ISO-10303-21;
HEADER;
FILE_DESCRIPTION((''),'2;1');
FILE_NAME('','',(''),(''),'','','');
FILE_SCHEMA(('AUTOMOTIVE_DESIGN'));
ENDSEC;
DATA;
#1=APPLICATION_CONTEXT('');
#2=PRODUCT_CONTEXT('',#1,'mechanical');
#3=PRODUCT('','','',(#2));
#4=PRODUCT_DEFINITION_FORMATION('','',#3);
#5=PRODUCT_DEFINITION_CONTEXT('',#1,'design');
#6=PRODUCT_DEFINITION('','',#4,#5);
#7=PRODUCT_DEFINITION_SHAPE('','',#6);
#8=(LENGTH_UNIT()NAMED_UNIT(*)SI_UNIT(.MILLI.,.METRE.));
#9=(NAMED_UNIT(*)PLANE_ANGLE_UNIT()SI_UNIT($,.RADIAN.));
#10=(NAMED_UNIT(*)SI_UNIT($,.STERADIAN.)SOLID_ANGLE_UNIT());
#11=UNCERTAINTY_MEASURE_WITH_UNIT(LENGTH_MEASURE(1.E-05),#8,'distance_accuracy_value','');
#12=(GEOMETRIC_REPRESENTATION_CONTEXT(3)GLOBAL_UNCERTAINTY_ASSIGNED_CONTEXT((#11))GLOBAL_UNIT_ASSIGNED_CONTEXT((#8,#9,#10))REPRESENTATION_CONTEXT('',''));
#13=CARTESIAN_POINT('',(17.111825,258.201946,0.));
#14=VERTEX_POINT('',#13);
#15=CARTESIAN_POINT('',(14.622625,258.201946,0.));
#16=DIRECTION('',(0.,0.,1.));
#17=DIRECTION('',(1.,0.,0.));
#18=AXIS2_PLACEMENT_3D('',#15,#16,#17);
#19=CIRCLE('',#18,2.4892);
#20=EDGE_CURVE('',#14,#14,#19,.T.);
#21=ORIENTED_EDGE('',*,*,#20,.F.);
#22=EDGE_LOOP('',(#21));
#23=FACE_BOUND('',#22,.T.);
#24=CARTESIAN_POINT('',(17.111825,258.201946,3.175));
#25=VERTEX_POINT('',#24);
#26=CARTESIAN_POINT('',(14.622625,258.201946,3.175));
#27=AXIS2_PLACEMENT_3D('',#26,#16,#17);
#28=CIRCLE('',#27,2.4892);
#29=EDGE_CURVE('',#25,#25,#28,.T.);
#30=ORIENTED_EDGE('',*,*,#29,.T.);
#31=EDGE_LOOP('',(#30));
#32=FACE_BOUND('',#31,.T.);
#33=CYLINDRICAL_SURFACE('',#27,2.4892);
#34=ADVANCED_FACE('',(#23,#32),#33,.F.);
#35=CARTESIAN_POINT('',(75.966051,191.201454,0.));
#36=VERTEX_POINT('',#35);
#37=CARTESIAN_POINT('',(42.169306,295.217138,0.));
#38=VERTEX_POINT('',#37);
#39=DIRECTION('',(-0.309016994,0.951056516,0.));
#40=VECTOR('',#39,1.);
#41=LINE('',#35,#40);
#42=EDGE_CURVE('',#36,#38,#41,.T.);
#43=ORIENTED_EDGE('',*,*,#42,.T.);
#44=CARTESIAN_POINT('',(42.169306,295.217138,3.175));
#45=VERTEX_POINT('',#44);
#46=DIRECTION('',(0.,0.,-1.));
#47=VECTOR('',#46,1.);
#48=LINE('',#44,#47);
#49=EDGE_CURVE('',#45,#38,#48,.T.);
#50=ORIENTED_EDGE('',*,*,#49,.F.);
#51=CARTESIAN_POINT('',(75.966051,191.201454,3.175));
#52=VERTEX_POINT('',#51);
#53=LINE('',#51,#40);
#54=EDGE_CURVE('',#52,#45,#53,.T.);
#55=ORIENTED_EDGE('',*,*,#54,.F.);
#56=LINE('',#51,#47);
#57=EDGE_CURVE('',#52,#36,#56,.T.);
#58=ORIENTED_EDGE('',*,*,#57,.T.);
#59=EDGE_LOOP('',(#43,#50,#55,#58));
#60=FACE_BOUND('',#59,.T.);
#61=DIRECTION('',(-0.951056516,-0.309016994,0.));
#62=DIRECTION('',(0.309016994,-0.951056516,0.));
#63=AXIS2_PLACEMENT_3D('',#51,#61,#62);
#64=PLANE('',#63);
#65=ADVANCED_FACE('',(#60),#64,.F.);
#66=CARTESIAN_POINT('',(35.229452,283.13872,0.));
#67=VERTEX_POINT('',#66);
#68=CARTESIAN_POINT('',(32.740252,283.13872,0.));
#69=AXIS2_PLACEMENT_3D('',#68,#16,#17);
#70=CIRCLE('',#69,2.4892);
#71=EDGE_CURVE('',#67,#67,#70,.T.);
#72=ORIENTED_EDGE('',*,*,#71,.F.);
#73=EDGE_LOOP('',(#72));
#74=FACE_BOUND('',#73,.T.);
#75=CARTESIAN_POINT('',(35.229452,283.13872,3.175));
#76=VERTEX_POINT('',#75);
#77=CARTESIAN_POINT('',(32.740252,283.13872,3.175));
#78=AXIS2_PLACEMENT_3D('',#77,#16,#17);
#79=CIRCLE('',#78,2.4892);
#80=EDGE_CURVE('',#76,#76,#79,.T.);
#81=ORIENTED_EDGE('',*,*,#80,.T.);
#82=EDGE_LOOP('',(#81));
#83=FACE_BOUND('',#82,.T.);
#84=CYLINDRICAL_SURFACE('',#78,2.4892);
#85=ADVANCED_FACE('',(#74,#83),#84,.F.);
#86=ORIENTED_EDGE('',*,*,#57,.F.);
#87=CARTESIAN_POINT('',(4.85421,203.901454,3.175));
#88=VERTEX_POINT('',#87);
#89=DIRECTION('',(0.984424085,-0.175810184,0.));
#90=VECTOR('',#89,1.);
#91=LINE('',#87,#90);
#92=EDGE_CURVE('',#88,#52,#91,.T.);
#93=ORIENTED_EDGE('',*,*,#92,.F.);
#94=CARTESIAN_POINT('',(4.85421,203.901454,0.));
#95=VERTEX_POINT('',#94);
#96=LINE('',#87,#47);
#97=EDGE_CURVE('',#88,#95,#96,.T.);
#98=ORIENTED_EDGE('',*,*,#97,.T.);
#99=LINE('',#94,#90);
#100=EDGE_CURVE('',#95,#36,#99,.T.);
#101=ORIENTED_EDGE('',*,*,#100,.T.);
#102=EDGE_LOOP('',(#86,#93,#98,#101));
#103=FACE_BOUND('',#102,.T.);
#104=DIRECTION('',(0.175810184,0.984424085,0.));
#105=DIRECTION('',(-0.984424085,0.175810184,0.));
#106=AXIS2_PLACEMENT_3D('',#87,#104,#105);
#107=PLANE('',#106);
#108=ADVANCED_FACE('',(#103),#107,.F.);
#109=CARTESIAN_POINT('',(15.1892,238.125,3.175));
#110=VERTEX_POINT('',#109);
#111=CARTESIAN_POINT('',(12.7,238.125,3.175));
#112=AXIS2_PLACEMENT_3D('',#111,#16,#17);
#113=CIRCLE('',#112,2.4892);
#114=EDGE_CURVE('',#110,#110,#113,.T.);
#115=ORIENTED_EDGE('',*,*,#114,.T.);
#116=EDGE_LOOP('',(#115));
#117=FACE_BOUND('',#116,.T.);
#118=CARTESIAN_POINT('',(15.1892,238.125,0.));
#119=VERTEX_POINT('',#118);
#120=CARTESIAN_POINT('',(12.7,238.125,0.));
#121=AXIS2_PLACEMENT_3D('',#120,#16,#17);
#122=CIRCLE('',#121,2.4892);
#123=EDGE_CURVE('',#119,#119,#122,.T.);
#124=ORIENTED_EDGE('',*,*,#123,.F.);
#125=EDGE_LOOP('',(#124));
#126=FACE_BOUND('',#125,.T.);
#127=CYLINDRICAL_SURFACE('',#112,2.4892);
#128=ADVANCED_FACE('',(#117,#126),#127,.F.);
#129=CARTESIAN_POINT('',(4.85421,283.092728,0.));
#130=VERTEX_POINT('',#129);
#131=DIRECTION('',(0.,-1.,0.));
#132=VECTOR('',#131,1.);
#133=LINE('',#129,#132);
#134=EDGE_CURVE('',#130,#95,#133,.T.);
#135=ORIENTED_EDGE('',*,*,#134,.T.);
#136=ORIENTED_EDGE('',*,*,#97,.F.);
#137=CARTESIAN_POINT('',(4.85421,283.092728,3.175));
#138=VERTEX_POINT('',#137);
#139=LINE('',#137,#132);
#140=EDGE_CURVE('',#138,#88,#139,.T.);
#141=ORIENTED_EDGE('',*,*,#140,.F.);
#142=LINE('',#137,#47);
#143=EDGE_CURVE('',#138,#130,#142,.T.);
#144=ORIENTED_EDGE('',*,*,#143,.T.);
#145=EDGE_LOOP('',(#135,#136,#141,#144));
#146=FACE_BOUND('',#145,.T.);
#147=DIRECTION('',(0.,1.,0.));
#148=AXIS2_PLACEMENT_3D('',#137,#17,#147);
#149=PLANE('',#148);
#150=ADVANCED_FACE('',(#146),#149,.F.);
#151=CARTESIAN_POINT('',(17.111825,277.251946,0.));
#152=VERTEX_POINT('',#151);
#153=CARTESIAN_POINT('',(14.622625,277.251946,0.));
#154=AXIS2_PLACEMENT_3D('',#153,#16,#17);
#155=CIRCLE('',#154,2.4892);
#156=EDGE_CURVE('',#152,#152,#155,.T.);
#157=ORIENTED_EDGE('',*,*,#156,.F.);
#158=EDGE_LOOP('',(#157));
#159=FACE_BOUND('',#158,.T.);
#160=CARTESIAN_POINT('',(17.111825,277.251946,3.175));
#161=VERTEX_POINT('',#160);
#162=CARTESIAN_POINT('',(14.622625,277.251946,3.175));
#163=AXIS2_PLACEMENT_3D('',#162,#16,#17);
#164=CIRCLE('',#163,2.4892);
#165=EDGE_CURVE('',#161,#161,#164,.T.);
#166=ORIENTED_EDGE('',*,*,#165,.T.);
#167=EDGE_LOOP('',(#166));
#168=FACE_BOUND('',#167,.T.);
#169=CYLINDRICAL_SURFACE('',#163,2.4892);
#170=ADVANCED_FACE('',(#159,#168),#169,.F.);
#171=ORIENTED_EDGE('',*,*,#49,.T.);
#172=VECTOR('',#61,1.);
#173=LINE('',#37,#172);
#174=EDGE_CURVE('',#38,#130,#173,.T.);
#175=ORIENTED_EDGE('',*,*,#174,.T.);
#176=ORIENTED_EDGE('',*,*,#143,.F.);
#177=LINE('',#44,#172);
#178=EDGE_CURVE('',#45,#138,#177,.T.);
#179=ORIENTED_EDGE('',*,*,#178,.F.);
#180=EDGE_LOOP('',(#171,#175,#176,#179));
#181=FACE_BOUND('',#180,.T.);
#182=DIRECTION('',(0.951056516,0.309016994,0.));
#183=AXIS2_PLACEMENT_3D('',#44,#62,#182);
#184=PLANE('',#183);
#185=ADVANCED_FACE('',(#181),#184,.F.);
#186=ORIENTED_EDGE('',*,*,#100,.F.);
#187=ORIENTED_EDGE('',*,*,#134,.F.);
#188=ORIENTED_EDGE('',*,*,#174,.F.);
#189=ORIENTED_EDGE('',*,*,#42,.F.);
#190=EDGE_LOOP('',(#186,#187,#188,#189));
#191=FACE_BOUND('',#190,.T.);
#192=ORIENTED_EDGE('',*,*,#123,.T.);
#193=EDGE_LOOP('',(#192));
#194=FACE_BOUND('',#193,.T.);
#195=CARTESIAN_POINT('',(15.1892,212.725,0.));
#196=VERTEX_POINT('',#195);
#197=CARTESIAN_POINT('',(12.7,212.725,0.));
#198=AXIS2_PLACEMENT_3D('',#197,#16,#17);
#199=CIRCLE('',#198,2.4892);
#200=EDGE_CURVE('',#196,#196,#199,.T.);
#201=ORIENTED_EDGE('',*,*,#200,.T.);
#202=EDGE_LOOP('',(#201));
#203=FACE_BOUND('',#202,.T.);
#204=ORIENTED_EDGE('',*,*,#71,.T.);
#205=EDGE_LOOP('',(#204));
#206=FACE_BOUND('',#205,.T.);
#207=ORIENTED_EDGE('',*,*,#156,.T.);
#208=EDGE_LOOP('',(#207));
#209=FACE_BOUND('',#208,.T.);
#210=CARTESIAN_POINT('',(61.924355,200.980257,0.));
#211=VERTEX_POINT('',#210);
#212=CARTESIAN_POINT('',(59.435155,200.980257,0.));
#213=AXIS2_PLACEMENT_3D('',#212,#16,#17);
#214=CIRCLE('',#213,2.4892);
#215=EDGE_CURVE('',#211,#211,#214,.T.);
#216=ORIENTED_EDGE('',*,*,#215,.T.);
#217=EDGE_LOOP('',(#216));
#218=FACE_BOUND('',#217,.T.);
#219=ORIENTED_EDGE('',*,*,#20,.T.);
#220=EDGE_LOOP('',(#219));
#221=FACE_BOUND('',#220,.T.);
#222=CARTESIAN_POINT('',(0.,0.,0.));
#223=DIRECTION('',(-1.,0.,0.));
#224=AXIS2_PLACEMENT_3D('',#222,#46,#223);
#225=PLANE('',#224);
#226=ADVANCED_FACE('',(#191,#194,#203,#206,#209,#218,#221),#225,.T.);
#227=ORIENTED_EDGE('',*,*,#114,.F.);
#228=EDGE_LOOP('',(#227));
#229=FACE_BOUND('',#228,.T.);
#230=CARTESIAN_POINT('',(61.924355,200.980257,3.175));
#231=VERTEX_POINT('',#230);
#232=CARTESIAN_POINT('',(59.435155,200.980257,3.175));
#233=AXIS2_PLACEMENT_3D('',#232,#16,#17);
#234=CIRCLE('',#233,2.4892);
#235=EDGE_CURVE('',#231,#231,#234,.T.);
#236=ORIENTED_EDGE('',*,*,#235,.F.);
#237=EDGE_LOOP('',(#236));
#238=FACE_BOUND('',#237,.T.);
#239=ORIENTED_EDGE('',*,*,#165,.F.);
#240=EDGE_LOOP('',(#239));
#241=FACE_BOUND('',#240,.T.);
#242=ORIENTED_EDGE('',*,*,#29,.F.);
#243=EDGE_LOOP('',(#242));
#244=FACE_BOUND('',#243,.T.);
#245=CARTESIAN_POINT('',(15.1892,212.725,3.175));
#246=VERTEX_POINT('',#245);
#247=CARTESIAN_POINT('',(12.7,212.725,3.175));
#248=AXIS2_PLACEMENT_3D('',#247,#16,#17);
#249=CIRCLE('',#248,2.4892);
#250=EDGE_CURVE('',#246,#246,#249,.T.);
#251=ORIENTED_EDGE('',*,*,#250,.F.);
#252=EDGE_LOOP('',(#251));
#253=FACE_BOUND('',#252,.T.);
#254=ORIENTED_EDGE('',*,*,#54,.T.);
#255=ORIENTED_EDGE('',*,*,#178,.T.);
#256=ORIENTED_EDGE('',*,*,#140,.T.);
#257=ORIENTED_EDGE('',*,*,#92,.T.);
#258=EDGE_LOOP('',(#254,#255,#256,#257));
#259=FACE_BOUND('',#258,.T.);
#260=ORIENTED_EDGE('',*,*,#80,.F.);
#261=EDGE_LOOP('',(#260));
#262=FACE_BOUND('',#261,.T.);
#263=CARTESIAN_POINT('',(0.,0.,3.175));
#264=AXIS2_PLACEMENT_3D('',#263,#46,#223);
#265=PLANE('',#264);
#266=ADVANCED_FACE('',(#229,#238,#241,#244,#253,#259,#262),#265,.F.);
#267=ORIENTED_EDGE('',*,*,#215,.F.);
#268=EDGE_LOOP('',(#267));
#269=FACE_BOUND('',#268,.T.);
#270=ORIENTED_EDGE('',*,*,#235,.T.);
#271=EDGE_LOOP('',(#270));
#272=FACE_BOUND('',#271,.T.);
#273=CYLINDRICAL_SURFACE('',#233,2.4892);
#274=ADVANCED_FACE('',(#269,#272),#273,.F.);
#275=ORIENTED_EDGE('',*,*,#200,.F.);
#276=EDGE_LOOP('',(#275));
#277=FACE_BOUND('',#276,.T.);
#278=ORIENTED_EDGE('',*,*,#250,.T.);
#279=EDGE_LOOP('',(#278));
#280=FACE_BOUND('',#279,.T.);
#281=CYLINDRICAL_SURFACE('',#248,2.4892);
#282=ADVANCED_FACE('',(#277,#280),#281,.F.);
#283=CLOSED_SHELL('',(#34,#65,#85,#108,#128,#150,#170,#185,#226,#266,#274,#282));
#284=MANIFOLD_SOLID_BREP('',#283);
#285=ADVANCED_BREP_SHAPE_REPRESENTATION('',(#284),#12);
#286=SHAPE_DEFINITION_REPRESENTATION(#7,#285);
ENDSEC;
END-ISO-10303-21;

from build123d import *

# Parameters (mm, degrees)
BOSS_EXTRUDE1_DEPTH    = 3.175
F_10_CLEARANCE_HOLE1_D = 4.9784


with BuildPart() as part:
    # Sketch2 → Boss-Extrude1 (new body)
    with BuildSketch(Plane.XY):
        Polygon((75.96605069, 191.201454104), (42.169306363, 295.217137729), (4.854209552, 283.092727808), (4.854209552, 203.901454104), align=None)
    extrude(amount=BOSS_EXTRUDE1_DEPTH)

    # #10 Clearance Hole1 (through all)
    with Locations(Plane.XY.offset(3.175)):
        with Locations((32.740251946, 283.138719963), (59.435154755, 200.980257064), (12.7, 238.125), (12.7, 212.725), (14.622625311, 277.25194622), (14.622625311, 258.20194622)):
            Hole(F_10_CLEARANCE_HOLE1_D / 2)


solid = part.part
